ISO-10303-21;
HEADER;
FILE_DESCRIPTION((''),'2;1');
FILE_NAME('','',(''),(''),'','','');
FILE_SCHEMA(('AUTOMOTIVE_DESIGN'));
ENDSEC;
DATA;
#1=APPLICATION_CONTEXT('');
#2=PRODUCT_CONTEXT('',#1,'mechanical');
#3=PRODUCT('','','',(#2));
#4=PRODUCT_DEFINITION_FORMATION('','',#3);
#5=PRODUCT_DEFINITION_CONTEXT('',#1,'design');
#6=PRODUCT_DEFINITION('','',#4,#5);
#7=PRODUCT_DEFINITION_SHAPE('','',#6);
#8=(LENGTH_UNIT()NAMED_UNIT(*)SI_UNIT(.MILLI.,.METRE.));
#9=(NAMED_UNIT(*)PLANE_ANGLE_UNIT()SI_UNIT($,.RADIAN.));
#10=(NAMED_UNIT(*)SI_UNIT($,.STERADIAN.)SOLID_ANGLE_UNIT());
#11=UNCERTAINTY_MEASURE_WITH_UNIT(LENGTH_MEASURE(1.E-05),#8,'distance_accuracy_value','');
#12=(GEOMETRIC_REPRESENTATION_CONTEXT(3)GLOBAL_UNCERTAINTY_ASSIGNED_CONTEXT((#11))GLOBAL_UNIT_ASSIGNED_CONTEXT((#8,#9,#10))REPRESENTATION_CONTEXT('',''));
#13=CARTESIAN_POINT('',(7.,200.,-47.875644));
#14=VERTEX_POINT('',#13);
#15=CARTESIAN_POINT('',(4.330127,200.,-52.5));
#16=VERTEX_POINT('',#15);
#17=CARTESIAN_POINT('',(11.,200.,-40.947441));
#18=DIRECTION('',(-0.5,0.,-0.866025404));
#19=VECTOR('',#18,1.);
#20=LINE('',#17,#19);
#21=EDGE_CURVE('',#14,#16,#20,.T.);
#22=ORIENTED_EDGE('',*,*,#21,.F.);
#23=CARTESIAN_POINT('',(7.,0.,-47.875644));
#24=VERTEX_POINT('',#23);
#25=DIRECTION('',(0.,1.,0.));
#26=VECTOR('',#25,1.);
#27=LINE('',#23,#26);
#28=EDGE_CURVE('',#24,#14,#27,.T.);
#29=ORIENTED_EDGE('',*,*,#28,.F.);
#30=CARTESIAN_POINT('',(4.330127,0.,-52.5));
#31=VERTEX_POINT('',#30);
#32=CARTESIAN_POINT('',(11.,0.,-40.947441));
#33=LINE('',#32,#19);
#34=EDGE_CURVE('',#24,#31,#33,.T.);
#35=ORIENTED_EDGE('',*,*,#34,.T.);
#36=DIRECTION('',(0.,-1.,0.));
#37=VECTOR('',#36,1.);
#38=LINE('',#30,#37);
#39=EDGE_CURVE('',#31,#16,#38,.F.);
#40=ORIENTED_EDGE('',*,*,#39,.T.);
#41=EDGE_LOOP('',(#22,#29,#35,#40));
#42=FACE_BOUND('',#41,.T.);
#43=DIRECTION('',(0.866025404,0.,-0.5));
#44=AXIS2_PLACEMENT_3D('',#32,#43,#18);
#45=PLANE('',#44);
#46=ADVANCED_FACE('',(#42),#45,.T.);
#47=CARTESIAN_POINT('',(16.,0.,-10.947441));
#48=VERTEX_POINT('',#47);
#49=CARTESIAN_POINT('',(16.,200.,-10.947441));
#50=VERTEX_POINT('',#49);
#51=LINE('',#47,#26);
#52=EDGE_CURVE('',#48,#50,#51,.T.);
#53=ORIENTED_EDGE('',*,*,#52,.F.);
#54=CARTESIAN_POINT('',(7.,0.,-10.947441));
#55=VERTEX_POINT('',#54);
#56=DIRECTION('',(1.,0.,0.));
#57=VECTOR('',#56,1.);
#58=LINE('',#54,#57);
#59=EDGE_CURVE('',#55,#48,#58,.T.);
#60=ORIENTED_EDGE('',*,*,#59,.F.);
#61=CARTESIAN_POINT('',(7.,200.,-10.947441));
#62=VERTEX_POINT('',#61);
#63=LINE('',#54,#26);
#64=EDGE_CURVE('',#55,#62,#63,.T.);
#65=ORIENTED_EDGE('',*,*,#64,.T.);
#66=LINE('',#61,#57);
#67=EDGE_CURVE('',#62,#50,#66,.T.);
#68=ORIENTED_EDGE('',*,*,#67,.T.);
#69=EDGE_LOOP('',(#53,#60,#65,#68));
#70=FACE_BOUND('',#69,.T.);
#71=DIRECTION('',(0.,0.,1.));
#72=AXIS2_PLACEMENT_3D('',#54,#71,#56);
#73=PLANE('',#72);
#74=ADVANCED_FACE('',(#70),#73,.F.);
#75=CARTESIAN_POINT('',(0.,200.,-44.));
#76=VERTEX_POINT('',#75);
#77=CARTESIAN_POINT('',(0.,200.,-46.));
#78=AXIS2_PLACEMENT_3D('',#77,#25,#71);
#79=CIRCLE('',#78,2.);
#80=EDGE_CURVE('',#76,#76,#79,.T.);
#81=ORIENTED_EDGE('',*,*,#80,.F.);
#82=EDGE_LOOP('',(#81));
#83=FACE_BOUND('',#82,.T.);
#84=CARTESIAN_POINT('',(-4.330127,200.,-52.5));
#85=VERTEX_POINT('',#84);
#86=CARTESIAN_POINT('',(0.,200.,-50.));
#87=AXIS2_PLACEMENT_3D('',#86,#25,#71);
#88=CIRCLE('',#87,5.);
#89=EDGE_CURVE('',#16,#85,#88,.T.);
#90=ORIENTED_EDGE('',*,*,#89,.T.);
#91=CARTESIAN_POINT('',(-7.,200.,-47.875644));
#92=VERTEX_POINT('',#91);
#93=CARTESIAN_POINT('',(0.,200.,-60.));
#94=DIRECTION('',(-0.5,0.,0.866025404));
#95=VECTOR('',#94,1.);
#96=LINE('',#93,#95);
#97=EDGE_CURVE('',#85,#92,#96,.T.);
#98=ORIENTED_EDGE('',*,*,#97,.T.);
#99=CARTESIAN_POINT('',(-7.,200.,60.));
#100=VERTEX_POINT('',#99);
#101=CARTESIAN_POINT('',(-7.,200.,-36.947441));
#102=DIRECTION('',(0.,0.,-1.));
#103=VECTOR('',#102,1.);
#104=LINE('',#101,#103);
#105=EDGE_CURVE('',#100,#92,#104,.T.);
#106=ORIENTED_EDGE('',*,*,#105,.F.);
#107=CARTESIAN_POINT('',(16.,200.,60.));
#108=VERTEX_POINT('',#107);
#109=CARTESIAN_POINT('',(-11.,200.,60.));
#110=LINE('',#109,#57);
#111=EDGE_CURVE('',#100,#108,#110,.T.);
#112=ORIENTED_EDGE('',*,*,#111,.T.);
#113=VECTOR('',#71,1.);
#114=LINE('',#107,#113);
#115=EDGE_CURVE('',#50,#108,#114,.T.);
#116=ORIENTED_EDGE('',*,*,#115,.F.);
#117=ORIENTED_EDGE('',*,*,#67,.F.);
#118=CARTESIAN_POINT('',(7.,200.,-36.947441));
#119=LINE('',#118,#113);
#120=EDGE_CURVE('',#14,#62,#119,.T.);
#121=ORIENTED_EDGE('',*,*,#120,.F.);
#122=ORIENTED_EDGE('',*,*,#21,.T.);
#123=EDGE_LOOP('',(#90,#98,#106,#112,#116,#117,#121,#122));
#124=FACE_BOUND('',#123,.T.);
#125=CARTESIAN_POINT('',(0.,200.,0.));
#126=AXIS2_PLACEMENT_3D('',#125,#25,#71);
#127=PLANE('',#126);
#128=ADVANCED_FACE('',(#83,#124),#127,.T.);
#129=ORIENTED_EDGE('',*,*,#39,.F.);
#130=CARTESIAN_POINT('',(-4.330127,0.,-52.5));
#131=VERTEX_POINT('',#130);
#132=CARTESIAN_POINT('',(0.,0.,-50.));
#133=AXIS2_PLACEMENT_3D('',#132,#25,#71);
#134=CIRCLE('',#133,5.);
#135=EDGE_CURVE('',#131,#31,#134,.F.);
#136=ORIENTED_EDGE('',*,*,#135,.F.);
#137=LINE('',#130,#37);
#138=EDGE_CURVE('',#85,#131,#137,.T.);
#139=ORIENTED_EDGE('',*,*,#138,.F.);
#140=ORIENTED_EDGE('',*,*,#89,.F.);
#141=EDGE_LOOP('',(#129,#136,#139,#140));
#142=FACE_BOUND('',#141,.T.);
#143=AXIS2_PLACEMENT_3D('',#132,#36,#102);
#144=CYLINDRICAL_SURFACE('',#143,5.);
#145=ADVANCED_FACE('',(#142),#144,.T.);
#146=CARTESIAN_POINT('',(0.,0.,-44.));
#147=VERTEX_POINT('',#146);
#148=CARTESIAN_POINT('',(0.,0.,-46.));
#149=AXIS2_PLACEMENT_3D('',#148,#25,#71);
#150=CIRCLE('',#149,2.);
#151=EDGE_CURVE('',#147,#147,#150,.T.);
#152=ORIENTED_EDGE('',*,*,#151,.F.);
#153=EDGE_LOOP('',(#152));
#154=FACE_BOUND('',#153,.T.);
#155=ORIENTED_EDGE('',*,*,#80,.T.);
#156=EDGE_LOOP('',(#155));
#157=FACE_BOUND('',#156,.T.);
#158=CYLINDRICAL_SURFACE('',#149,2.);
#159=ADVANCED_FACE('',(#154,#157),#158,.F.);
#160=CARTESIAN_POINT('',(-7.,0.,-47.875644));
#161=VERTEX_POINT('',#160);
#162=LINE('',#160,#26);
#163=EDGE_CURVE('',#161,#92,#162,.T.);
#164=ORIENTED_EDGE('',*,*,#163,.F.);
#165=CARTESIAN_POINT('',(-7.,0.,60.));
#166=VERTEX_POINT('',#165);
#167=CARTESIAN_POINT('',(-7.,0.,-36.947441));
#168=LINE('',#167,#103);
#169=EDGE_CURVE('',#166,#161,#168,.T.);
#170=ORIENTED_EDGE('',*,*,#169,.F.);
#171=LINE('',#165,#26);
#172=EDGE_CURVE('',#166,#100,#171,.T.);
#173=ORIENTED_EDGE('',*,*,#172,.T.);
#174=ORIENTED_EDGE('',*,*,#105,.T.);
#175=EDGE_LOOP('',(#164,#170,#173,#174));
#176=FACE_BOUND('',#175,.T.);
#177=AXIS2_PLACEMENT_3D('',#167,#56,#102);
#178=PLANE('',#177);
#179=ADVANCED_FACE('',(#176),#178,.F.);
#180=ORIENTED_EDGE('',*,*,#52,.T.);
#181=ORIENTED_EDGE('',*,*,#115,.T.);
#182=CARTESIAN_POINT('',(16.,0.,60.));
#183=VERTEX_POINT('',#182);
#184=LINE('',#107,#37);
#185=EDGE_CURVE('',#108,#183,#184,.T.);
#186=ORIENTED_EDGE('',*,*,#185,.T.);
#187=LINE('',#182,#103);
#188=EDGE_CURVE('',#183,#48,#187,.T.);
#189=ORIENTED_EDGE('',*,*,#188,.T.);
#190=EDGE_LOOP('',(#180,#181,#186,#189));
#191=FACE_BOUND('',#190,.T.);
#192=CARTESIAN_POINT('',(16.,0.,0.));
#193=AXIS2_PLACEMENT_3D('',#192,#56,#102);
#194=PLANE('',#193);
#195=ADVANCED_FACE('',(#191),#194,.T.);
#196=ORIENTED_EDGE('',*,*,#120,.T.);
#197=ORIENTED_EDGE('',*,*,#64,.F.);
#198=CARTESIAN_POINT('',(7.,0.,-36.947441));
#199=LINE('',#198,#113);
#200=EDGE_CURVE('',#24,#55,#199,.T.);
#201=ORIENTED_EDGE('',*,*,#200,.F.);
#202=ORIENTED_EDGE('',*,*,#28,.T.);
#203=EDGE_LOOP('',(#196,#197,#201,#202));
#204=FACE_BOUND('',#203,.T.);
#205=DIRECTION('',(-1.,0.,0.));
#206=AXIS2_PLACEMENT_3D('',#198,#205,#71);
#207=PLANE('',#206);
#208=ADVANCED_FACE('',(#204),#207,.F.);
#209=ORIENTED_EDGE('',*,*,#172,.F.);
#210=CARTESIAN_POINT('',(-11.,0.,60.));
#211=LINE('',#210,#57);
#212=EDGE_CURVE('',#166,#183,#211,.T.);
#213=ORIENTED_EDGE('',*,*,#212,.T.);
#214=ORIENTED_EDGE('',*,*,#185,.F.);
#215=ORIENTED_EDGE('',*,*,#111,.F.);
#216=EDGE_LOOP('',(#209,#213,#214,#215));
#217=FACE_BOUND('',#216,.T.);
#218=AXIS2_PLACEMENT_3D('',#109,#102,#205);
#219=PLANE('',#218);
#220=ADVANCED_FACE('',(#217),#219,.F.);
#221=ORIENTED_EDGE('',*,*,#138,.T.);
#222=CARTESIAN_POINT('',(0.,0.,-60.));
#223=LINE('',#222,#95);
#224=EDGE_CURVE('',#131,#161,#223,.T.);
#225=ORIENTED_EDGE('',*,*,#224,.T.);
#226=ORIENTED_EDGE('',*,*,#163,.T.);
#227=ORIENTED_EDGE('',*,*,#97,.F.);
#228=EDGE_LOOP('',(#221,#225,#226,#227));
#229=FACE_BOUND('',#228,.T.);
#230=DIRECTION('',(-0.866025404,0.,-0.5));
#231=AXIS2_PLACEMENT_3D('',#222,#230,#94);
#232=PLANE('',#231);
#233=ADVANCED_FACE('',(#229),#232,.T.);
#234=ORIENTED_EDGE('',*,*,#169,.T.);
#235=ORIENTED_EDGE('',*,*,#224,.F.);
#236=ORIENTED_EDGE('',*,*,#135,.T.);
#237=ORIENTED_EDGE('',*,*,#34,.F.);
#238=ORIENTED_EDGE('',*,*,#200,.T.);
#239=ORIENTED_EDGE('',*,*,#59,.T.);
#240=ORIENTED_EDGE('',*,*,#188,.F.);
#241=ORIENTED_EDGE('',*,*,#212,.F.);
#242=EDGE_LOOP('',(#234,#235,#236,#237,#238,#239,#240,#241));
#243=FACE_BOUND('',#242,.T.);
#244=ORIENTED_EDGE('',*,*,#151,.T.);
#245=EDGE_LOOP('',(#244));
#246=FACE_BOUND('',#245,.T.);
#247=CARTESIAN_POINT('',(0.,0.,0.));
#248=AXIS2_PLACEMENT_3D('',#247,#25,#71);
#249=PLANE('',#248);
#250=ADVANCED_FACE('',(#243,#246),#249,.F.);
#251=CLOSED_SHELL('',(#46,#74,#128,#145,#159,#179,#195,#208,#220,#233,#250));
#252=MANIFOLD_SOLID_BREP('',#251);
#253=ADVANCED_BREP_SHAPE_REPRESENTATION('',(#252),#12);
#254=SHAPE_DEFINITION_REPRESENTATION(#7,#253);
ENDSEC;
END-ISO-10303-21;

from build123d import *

# Parameters (mm, degrees)
SKETCH1_W           = 22
SKETCH1_H           = 120
BOSS_EXTRUDE1_DEPTH = 200
SKETCH2_OUTSIDE_W   = 70.854
SKETCH2_OUTSIDE_H   = 168.854
CUT_EXTRUDE1_DEPTH  = 210.095671883
FILLET1_R           = 5
CUT_EXTRUDE2_DEPTH  = 210.095671883
SKETCH4_W           = 96.947441117
SKETCH4_H           = 200
BOSS_EXTRUDE2_DEPTH = 5
SKETCH5_W           = 4
SKETCH5_H           = 96.947441117
CUT_EXTRUDE3_DEPTH  = 210.418241803
SKETCH6_R           = 2
CUT_EXTRUDE4_DEPTH  = 210.418241803
SKETCH8_W           = 9
SKETCH8_H           = 26
CUT_EXTRUDE5_DEPTH  = 210.418241803


with BuildPart() as part:
    # Sketch1 → Boss-Extrude1 (new body)
    with BuildSketch(Plane(origin=(0, 0, 0), x_dir=(1, 0, 0), z_dir=(0, 1, 0))):
        Rectangle(SKETCH1_W, SKETCH1_H)
    extrude(amount=BOSS_EXTRUDE1_DEPTH)

    # Sketch2 outside → Cut-Extrude1 (cut, through all)
    with BuildSketch(Plane(origin=(0, 200, 0), x_dir=(1, 0, 0), z_dir=(0, 1, 0))):
        Rectangle(SKETCH2_OUTSIDE_W, SKETCH2_OUTSIDE_H)
        Polygon((0, 60), (-11, 40.947441117), (-11, -60), (11, -60), (11, 40.947441117), align=None, mode=Mode.SUBTRACT)
    extrude(amount=-CUT_EXTRUDE1_DEPTH, mode=Mode.SUBTRACT)

    # Fillet1
    fillet1_edges = [part.edges().sort_by_distance(p)[0] for p in [
        (0, 100, -60),
    ]]
    fillet(fillet1_edges, radius=FILLET1_R)

    # Sketch3 → Cut-Extrude2 (cut, through all)
    with BuildSketch(Plane(origin=(0, 200, 0), x_dir=(1, 0, 0), z_dir=(0, 1, 0))):
        Polygon((-11, 36.947441117), (-7, 36.947441117), (-7, 47.875644347), (-11, 40.947441117), align=None)
        Polygon((7, 47.875644347), (11, 40.947441117), (11, 36.947441117), (7, 36.947441117), align=None)
    extrude(amount=-CUT_EXTRUDE2_DEPTH, mode=Mode.SUBTRACT)

    # Sketch4 → Boss-Extrude2 (add)
    with BuildSketch(Plane(origin=(11, 0, 0), x_dir=(0, 0, -1), z_dir=(1, 0, 0))):
        with Locations((-11.526279442, 100)):
            Rectangle(SKETCH4_W, SKETCH4_H)
    extrude(amount=BOSS_EXTRUDE2_DEPTH)

    # Sketch5 → Cut-Extrude3 (cut, through all)
    with BuildSketch(Plane(origin=(0, 200, 0), x_dir=(1, 0, 0), z_dir=(0, 1, 0))):
        with Locations((-9, -11.526279442)):
            Rectangle(SKETCH5_W, SKETCH5_H)
    extrude(amount=-CUT_EXTRUDE3_DEPTH, mode=Mode.SUBTRACT)

    # Sketch6 → Cut-Extrude4 (cut, through all)
    with BuildSketch(Plane(origin=(0, 200, 0), x_dir=(1, 0, 0), z_dir=(0, 1, 0))):
        with Locations(Location((0, 46, 0), (0, 0, 270))):
            Circle(SKETCH6_R)
    extrude(amount=-CUT_EXTRUDE4_DEPTH, mode=Mode.SUBTRACT)

    # Sketch8 → Cut-Extrude5 (cut, through all)
    with BuildSketch(Plane(origin=(0, 200, 0), x_dir=(1, 0, 0), z_dir=(0, 1, 0))):
        with Locations((11.5, 23.947441117)):
            Rectangle(SKETCH8_W, SKETCH8_H)
    extrude(amount=-CUT_EXTRUDE5_DEPTH, mode=Mode.SUBTRACT)


solid = part.part
